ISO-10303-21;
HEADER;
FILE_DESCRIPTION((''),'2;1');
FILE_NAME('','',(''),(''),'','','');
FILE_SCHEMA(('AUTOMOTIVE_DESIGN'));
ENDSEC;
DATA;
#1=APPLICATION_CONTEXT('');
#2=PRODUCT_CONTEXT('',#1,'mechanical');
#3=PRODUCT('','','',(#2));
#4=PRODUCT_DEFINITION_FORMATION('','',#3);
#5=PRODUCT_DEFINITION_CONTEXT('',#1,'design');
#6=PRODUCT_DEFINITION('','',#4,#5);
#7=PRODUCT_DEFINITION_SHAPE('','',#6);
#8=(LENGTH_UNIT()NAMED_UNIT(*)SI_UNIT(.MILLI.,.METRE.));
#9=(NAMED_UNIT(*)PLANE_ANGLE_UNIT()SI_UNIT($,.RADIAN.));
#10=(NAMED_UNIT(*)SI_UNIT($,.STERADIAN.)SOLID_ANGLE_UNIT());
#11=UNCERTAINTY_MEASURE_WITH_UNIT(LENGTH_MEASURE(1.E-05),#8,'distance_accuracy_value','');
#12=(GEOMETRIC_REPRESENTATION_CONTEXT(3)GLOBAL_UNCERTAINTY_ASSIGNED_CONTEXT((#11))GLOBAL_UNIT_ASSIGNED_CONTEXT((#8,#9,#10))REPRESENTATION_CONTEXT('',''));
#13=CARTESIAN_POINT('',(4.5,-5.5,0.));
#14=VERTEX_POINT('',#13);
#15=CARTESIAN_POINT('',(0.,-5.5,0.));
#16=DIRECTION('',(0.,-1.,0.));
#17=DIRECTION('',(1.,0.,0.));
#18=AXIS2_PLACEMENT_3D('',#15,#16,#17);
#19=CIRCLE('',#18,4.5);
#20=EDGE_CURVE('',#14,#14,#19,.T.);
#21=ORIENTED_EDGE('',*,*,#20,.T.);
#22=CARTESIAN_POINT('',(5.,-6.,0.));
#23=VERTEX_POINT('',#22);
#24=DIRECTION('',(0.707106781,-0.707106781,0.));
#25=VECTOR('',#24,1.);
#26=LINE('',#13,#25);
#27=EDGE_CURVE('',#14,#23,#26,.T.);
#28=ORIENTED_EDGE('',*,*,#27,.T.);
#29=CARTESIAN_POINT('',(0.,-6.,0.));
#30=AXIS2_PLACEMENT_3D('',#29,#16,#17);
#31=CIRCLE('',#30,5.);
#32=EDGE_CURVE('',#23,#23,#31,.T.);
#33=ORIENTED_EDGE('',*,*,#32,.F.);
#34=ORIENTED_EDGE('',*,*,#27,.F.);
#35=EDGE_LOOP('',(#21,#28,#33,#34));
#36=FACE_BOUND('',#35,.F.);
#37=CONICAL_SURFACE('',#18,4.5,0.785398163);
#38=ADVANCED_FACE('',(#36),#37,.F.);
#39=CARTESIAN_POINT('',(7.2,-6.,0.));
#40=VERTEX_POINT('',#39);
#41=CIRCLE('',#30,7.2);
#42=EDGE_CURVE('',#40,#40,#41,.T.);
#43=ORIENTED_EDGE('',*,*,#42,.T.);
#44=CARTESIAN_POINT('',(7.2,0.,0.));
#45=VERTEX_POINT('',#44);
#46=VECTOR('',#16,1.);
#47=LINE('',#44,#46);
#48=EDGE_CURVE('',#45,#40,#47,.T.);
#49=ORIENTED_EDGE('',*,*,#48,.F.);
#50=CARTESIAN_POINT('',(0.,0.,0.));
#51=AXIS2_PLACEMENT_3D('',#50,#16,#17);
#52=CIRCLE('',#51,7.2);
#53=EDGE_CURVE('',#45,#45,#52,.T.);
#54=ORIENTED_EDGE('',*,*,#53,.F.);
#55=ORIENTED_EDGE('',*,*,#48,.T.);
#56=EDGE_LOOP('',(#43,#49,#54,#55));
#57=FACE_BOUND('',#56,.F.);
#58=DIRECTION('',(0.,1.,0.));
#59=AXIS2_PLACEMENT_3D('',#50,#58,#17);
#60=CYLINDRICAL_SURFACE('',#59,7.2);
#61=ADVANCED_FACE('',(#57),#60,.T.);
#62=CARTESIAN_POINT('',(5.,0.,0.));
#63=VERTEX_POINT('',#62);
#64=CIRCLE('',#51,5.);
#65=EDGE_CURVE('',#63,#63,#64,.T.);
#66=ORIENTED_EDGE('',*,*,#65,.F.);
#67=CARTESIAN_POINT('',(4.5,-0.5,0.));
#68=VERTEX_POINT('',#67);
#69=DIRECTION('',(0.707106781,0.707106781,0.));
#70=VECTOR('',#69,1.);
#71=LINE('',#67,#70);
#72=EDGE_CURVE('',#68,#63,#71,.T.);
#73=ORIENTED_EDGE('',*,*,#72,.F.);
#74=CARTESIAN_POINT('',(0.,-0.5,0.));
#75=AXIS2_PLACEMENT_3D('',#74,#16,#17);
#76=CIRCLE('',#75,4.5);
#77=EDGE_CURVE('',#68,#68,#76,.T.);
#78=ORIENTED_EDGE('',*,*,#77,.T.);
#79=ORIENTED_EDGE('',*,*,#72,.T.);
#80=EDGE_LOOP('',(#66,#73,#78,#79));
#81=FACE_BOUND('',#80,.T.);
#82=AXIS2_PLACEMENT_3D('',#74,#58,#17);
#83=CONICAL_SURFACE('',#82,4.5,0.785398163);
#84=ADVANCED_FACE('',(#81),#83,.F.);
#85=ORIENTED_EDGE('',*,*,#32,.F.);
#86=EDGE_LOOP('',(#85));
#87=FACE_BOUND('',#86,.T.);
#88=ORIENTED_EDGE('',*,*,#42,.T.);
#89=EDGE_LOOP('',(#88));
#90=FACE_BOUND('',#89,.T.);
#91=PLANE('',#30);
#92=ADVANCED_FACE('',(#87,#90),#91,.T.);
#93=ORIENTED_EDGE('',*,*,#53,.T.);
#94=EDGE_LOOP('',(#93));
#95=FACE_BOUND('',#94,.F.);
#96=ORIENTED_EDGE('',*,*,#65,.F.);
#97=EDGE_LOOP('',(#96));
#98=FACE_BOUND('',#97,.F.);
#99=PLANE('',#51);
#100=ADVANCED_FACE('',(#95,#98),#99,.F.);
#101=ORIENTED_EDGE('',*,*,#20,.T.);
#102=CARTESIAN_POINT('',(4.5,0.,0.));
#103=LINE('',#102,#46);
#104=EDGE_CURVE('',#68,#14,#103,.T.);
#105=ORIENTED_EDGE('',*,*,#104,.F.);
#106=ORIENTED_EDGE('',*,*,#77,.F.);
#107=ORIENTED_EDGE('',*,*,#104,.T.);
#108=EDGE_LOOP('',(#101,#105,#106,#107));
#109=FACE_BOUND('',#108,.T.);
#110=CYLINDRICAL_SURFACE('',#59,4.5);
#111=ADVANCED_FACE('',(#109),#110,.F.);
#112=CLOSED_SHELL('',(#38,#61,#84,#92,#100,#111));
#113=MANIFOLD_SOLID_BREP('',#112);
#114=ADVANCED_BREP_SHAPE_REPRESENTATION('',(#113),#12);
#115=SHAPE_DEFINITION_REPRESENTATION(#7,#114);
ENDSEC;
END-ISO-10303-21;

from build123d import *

# Parameters (mm, degrees)
F0_R     = 7.2
F0_R_2   = 4.5
F1_DEPTH = 6
F2_SIZE  = 0.5


with BuildPart() as f1:
    # F0 (on Front) → F1 (new body)
    with BuildSketch(Plane.XZ):
        Circle(F0_R)
        Circle(F0_R_2, mode=Mode.SUBTRACT)
    extrude(amount=F1_DEPTH)

    # F2
    f2_edges = [f1.edges().sort_by_distance(p)[0] for p in [
        (-4.5, -6, 0),
        (-4.5, 0, 0),
    ]]
    chamfer(f2_edges, length=F2_SIZE)


solid = f1.part
